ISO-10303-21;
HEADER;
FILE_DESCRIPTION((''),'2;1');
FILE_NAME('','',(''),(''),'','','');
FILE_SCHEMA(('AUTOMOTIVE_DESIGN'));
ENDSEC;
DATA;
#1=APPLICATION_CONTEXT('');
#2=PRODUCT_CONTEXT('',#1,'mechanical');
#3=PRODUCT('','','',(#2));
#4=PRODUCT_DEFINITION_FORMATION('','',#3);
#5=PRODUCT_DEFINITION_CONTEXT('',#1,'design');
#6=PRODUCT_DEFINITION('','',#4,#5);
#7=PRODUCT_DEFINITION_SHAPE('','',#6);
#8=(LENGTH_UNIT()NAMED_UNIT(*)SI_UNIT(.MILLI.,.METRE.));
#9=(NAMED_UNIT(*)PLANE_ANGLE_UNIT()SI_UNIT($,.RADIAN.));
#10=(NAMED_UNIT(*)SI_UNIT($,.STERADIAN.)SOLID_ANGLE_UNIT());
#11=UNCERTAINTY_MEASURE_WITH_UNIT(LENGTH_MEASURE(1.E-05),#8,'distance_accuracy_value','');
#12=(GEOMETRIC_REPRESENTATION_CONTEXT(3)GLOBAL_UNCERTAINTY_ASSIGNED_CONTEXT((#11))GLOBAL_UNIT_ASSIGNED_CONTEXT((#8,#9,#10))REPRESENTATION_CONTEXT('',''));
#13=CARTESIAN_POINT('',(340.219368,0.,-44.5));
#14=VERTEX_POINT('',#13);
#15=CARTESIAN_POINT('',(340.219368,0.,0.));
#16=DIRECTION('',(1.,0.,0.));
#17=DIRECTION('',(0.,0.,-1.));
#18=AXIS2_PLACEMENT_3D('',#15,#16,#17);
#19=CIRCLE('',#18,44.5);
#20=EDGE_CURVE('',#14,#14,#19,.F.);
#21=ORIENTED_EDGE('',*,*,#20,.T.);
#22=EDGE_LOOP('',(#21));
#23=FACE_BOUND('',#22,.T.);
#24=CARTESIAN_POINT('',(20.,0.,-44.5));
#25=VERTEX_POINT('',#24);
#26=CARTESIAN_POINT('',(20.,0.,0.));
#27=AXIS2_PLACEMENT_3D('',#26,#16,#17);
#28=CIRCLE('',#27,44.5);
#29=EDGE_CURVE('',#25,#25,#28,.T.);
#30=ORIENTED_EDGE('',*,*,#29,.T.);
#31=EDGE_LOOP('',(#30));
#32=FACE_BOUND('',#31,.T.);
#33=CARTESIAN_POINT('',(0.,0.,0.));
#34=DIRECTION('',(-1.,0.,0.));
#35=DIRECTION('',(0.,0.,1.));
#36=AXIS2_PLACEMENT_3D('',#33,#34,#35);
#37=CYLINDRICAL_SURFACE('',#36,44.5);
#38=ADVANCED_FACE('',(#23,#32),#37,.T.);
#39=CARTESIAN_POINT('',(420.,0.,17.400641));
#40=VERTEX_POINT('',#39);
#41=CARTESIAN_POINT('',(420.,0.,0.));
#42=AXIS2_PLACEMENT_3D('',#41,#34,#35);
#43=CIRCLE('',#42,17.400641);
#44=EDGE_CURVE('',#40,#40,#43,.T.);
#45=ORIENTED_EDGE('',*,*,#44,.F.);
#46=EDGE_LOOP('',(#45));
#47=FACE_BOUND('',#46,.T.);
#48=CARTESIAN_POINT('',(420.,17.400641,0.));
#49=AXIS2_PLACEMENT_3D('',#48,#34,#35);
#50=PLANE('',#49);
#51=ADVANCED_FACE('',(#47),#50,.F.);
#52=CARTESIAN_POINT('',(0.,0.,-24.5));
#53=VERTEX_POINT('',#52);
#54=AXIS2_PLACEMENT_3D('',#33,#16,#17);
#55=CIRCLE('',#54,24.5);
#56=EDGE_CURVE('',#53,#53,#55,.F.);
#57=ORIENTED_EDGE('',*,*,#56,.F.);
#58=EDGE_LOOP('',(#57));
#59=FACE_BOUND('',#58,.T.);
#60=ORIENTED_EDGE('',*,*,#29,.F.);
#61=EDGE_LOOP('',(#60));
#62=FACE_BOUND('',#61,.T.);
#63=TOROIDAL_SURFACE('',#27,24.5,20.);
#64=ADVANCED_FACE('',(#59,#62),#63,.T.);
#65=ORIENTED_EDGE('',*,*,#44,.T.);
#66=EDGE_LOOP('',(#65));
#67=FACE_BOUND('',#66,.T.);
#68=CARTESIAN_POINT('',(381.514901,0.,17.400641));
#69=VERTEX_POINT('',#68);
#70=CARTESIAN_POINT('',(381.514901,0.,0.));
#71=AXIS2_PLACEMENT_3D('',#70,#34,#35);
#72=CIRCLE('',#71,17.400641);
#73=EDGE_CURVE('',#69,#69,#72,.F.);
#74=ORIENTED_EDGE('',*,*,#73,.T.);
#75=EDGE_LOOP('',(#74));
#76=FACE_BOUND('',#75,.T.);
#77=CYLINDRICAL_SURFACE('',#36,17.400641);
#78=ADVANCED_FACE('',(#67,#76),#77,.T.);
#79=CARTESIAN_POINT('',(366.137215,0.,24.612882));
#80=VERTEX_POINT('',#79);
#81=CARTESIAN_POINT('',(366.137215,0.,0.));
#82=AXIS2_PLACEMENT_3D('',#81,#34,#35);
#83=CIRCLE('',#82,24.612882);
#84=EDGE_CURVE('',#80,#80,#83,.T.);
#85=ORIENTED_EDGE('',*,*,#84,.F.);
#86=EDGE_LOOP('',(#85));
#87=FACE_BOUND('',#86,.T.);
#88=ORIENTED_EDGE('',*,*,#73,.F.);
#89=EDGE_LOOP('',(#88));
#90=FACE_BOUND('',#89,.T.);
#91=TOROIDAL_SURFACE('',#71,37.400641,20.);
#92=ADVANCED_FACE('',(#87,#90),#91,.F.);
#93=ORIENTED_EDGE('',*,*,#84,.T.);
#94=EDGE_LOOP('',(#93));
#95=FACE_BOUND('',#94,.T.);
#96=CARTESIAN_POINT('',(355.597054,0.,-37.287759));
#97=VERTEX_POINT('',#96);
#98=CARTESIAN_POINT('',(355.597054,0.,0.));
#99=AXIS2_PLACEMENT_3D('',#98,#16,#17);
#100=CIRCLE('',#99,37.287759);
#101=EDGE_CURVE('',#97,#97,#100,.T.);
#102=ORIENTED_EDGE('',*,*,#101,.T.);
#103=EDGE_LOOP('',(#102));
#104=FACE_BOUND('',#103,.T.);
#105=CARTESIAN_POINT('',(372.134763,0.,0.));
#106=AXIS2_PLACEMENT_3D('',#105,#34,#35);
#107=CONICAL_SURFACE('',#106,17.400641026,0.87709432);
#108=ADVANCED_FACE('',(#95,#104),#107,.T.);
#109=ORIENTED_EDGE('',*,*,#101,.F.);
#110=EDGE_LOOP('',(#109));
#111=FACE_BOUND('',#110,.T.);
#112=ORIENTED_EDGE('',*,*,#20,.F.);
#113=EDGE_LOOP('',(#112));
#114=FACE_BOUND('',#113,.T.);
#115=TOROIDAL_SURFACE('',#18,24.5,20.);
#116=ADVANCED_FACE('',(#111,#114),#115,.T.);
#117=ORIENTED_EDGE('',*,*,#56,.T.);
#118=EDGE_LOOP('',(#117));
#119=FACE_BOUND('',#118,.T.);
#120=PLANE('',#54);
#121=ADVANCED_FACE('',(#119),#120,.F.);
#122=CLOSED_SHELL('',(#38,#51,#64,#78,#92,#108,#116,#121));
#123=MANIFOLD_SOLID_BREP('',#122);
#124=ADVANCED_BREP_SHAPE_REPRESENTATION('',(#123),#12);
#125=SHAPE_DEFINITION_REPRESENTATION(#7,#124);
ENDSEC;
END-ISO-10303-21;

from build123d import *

# Parameters (mm, degrees)
ZAOBLIT1_R = 20


with BuildPart() as part:
    # Skica1 → Rotovat1 (revolve)
    with BuildSketch(Plane.XY, mode=Mode.PRIVATE) as rotovat1_sk:
        Polygon((0, 0), (0, 44.5), (349.599506462, 44.5), (372.134762873, 17.400641026), (420, 17.400641026), (420, 0), align=None)
    revolve(rotovat1_sk.sketch.rotate(Axis((0, 0, 0), (1, 0, 0)), 90), axis=Axis((0, 0, 0), (1, 0, 0)))

    # Zaoblit1
    zaoblit1_edges = [part.edges().sort_by_distance(p)[0] for p in [
        (372.134762873, 0, -17.400641026),
        (349.599506462, 0, -44.5),
        (0, 0, -44.5),
    ]]
    fillet(zaoblit1_edges, radius=ZAOBLIT1_R)


solid = part.part
